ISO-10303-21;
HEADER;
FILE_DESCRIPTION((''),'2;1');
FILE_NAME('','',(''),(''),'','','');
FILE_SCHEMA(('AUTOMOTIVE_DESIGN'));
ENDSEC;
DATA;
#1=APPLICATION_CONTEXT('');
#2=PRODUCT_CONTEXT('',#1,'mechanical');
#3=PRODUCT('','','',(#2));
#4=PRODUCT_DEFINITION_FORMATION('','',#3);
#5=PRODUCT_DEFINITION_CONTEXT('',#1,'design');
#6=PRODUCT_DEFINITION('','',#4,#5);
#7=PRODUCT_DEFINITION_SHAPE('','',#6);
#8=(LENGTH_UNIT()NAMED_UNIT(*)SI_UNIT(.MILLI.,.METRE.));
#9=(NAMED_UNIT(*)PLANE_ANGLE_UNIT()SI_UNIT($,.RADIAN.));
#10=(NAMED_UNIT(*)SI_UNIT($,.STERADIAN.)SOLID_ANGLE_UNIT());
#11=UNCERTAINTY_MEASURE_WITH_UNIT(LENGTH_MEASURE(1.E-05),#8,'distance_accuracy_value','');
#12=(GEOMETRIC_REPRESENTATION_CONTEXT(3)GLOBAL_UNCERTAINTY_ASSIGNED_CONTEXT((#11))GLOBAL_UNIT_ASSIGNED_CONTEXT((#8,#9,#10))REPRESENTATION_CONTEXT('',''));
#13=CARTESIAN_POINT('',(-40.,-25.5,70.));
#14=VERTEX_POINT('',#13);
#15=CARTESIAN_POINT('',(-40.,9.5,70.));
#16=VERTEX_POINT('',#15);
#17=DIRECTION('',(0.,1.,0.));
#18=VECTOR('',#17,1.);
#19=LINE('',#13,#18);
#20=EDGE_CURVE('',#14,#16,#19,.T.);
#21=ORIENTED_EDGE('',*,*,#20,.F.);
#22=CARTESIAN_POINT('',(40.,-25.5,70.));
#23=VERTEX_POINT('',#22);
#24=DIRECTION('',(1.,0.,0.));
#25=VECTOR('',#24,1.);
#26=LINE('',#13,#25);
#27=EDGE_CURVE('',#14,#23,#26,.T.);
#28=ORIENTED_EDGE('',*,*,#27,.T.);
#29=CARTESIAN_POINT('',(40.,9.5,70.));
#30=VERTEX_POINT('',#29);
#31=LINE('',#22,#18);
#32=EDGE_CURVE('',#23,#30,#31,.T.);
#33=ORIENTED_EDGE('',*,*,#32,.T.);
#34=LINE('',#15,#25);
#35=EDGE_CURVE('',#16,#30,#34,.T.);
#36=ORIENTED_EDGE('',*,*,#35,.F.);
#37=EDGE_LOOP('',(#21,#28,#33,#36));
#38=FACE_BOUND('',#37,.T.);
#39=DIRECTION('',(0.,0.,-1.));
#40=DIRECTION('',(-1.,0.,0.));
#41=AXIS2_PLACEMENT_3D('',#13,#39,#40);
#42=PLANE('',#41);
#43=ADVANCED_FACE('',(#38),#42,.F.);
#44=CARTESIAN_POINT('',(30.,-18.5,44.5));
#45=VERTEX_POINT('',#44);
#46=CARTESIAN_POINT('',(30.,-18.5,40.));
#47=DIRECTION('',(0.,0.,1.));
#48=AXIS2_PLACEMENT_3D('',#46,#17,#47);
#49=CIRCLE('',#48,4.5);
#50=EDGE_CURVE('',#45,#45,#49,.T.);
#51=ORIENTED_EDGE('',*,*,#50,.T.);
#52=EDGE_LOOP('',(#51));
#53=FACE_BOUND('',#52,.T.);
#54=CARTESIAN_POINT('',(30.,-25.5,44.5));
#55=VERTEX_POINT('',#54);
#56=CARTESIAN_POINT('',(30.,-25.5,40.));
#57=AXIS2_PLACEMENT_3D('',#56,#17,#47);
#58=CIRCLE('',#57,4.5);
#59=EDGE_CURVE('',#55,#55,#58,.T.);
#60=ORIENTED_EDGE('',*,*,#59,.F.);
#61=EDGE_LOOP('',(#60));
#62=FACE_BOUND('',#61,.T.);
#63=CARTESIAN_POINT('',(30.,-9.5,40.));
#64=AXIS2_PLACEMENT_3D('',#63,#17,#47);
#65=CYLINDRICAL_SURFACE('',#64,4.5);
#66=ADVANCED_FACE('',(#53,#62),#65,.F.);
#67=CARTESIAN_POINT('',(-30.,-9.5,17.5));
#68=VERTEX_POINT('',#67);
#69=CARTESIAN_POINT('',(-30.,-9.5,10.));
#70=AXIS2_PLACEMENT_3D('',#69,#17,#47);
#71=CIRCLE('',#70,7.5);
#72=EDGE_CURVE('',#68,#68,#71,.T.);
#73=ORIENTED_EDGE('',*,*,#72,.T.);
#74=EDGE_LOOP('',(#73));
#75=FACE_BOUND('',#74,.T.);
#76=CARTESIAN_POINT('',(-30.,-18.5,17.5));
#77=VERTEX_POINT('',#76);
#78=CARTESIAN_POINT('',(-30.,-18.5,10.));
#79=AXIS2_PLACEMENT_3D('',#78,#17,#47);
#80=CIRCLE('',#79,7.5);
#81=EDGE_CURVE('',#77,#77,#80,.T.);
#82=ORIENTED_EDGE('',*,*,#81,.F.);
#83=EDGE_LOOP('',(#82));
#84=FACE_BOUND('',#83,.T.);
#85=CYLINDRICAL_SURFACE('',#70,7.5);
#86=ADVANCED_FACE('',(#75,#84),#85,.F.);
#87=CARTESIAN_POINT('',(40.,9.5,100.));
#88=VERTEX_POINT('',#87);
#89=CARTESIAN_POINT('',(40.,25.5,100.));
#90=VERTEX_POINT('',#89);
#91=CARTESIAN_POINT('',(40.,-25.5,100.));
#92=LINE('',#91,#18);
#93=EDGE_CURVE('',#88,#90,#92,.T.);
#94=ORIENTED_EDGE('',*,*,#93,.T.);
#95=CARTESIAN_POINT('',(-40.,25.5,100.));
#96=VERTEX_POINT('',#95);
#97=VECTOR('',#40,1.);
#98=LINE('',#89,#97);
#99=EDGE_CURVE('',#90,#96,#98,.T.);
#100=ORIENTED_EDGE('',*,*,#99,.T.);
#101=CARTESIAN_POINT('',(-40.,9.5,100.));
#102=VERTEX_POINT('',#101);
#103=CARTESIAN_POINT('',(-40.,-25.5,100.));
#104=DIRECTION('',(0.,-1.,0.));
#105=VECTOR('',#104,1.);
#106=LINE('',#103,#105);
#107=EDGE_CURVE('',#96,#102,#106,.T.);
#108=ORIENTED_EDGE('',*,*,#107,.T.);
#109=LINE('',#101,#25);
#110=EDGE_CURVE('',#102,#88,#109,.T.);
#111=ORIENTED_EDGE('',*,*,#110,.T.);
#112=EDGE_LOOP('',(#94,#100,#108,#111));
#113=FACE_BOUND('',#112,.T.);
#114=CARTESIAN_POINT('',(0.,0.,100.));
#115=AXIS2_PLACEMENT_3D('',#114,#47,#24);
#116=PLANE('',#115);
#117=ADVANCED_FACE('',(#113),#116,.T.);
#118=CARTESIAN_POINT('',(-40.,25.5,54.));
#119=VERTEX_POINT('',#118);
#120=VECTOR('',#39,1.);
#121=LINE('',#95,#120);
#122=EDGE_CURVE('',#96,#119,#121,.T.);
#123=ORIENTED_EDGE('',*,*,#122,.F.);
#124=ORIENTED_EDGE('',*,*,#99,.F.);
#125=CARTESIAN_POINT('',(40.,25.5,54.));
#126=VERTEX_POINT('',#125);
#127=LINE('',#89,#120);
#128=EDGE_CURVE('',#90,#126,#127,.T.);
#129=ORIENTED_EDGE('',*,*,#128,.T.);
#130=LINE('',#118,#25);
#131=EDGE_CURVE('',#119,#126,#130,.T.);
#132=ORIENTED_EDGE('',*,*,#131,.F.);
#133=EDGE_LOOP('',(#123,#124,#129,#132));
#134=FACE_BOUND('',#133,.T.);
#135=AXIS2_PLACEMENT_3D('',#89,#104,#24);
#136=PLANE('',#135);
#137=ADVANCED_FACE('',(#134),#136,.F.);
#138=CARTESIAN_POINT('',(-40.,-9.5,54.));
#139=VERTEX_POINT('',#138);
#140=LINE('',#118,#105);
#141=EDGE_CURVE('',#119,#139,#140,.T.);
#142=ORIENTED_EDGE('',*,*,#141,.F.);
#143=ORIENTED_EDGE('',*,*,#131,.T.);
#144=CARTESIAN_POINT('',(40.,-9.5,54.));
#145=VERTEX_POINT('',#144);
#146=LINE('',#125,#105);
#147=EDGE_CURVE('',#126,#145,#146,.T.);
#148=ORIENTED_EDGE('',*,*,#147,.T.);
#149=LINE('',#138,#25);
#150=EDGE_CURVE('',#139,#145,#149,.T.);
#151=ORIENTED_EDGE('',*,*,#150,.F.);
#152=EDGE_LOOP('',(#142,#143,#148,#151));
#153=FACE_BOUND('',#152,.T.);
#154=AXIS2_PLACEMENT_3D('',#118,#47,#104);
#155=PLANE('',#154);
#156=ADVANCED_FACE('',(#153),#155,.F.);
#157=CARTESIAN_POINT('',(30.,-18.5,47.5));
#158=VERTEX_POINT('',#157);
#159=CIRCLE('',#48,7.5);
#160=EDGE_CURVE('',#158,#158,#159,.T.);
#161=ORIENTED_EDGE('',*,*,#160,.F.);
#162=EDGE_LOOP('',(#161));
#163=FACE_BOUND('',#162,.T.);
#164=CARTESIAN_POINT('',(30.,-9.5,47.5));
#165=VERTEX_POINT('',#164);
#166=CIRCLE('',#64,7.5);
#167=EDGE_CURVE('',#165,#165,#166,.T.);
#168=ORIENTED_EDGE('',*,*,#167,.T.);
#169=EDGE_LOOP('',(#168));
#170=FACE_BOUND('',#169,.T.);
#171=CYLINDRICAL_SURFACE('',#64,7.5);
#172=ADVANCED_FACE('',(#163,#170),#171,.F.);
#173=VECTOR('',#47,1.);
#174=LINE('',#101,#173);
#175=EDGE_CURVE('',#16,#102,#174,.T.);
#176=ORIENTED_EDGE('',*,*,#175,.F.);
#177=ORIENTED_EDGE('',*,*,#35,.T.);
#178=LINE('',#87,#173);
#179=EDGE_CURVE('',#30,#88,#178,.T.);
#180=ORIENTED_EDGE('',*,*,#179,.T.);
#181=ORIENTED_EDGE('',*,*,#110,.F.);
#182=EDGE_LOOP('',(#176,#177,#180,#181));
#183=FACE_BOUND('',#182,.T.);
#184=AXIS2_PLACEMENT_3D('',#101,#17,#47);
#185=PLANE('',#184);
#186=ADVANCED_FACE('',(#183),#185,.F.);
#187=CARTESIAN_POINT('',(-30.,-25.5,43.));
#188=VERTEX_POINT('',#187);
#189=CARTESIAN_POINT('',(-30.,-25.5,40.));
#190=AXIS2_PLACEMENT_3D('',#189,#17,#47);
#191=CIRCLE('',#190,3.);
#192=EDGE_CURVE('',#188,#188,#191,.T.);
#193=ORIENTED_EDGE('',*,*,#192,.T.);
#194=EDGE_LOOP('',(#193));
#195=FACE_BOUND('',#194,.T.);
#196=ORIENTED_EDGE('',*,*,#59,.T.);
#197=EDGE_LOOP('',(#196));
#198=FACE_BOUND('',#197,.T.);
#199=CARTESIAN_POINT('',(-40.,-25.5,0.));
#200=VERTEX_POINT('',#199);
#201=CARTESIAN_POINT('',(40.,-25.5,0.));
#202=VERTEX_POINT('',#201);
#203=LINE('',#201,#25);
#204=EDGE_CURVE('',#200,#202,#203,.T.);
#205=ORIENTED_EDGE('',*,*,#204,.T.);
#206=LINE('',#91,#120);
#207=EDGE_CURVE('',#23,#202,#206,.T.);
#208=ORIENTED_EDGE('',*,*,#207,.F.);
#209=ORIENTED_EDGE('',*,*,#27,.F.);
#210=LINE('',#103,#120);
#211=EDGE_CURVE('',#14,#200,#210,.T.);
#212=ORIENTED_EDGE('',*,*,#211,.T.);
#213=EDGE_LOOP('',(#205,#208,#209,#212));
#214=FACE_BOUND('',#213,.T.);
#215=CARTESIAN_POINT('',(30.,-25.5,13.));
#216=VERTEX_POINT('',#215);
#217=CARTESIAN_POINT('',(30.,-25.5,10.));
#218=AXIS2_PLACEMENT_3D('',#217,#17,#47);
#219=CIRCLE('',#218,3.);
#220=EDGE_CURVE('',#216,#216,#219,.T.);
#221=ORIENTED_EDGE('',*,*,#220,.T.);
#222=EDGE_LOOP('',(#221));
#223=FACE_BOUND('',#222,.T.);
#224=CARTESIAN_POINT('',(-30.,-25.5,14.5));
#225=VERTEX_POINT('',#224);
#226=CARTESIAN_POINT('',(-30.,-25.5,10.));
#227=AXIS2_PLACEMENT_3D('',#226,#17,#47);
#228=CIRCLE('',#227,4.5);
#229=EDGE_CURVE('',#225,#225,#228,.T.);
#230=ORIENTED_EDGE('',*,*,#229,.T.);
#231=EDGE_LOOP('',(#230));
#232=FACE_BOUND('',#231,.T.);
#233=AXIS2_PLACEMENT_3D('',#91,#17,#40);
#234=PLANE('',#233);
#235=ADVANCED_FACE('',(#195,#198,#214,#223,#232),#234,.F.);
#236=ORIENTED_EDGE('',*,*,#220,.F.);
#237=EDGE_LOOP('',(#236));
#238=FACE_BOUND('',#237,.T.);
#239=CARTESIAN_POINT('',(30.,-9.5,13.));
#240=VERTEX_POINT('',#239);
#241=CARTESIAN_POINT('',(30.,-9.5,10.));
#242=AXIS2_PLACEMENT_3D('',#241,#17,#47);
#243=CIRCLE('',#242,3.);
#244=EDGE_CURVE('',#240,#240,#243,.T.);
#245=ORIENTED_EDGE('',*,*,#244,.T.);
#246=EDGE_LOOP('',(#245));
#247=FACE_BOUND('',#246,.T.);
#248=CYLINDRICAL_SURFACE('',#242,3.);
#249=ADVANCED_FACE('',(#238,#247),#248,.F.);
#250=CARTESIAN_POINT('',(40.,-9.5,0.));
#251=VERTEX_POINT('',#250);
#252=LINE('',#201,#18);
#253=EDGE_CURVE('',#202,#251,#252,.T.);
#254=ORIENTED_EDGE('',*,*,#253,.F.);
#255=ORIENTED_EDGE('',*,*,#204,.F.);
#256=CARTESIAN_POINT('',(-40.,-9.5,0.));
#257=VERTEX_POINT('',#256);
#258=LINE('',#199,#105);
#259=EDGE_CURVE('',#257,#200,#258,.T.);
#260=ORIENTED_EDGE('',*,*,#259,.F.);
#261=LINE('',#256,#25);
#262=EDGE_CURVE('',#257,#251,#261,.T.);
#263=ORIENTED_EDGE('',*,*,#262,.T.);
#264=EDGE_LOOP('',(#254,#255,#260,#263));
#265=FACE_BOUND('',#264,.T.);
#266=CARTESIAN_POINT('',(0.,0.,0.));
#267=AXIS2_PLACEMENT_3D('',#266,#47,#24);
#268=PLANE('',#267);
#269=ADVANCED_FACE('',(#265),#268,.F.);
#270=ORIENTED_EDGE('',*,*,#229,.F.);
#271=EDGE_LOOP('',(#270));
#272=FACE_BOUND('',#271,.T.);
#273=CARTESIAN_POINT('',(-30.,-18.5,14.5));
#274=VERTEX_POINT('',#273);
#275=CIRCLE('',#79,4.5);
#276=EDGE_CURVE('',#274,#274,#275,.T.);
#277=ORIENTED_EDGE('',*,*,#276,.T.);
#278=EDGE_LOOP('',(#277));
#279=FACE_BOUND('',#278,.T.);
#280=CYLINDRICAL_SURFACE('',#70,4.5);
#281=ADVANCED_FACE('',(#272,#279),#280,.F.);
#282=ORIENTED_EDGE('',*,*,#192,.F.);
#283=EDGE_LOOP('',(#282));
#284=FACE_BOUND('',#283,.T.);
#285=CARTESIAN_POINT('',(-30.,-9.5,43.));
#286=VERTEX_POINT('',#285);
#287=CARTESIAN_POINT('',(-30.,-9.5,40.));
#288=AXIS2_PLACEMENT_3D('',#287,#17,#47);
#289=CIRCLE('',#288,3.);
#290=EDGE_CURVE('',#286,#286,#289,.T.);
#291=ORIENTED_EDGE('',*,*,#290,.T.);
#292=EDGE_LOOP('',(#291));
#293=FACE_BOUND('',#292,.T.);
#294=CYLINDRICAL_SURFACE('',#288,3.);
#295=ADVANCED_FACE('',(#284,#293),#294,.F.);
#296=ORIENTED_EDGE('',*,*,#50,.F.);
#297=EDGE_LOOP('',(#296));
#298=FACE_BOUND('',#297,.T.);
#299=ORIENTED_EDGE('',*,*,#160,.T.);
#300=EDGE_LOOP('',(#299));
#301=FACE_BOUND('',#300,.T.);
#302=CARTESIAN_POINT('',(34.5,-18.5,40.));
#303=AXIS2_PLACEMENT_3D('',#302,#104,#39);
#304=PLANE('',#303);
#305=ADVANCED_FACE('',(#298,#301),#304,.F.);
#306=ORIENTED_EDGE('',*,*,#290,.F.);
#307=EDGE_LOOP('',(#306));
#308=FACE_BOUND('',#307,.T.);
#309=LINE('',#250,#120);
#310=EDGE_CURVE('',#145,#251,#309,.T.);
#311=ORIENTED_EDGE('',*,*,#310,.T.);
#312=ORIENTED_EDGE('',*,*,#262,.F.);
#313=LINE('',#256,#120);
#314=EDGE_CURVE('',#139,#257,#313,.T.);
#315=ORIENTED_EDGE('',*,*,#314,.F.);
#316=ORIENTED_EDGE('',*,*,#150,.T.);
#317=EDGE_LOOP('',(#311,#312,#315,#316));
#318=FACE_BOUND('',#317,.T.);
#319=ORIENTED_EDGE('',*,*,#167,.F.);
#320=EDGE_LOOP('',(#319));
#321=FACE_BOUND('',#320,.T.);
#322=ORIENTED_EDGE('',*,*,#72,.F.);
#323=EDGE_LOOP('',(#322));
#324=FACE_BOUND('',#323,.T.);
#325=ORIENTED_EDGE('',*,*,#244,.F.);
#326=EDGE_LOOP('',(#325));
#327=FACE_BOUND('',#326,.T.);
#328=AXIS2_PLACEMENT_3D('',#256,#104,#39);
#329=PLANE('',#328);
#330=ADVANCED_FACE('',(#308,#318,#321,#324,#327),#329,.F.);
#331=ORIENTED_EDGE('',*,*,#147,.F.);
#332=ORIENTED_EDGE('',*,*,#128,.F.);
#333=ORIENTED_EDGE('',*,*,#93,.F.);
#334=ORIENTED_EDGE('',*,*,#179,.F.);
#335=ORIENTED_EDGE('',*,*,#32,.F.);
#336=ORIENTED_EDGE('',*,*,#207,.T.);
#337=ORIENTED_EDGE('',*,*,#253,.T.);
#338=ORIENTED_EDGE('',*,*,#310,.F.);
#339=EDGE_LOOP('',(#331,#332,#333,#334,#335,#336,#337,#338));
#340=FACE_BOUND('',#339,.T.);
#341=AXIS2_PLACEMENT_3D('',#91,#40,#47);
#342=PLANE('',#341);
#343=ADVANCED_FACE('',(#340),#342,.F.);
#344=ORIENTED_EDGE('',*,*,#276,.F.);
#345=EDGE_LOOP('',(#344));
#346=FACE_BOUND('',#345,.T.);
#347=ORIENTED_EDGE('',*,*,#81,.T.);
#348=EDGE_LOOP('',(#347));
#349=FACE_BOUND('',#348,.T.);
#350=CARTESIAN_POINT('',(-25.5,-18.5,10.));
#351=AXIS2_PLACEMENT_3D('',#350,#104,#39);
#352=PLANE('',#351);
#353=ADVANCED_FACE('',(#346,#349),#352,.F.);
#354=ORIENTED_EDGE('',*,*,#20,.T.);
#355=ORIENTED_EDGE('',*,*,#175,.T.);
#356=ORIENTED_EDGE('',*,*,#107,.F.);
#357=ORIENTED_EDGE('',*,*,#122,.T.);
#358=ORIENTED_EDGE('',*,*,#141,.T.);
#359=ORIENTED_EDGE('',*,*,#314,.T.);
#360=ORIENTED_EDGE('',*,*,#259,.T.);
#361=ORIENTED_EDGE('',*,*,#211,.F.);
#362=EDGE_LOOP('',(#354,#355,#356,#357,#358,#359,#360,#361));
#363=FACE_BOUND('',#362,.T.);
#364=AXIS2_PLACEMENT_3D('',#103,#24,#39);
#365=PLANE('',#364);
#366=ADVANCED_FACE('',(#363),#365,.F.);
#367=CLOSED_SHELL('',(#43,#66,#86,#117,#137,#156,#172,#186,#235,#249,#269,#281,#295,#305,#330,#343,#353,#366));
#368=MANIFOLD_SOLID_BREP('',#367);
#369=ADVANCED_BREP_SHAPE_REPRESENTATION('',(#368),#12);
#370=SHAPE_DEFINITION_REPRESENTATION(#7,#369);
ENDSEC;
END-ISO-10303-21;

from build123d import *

# Parameters (mm, degrees)
SKETCH_1_W                = 80
SKETCH_1_H                = 51
EXTRUDE_1_DEPTH           = 100
SKETCH_2_W                = 30
SKETCH_2_H                = 35
CUT_EXTRUDE_1_DEPTH       = 131.576605868
SKETCH_3_W                = 54
SKETCH_3_H                = 35
CUT_EXTRUDE_2_DEPTH       = 131.576605868
HOLE_WIZARD_1_D           = 9
HOLE_WIZARD_1_CBORE_D     = 15
HOLE_WIZARD_1_CBORE_DEPTH = 9
MM_1_D                    = 6


with BuildPart() as part:
    # 草图1 → 凸台-拉伸1 (new body)
    with BuildSketch(Plane.XY):
        Rectangle(SKETCH_1_W, SKETCH_1_H)
    extrude(amount=EXTRUDE_1_DEPTH)

    # 草图2 → 切除-拉伸1 (cut, through all)
    with BuildSketch(Plane(origin=(40, 0, 0), x_dir=(0, 0, -1), z_dir=(1, 0, 0))):
        with Locations((-85, -8)):
            Rectangle(SKETCH_2_W, SKETCH_2_H)
    extrude(amount=-CUT_EXTRUDE_1_DEPTH, mode=Mode.SUBTRACT)

    # 草图3 → 切除-拉伸2 (cut, through all)
    with BuildSketch(Plane(origin=(40, 0, 0), x_dir=(0, 0, -1), z_dir=(1, 0, 0))):
        with Locations((-27, 8)):
            Rectangle(SKETCH_3_W, SKETCH_3_H)
    extrude(amount=-CUT_EXTRUDE_2_DEPTH, mode=Mode.SUBTRACT)

    # 打孔尺寸(%根据)内六角圆柱头螺钉的类型1 (through all)
    with Locations(Plane(origin=(0, -9.5, 0), x_dir=(1, 0, 0), z_dir=(0, 1, 0))):
        with Locations((-30, -10), (30, -40)):
            CounterBoreHole(HOLE_WIZARD_1_D / 2, HOLE_WIZARD_1_CBORE_D / 2, HOLE_WIZARD_1_CBORE_DEPTH)

    # 大小mm 暗销孔1 (through all)
    with Locations(Plane(origin=(0, -9.5, 0), x_dir=(1, 0, 0), z_dir=(0, 1, 0))):
        with Locations((-30, -40), (30, -10)):
            Hole(MM_1_D / 2)


solid = part.part
